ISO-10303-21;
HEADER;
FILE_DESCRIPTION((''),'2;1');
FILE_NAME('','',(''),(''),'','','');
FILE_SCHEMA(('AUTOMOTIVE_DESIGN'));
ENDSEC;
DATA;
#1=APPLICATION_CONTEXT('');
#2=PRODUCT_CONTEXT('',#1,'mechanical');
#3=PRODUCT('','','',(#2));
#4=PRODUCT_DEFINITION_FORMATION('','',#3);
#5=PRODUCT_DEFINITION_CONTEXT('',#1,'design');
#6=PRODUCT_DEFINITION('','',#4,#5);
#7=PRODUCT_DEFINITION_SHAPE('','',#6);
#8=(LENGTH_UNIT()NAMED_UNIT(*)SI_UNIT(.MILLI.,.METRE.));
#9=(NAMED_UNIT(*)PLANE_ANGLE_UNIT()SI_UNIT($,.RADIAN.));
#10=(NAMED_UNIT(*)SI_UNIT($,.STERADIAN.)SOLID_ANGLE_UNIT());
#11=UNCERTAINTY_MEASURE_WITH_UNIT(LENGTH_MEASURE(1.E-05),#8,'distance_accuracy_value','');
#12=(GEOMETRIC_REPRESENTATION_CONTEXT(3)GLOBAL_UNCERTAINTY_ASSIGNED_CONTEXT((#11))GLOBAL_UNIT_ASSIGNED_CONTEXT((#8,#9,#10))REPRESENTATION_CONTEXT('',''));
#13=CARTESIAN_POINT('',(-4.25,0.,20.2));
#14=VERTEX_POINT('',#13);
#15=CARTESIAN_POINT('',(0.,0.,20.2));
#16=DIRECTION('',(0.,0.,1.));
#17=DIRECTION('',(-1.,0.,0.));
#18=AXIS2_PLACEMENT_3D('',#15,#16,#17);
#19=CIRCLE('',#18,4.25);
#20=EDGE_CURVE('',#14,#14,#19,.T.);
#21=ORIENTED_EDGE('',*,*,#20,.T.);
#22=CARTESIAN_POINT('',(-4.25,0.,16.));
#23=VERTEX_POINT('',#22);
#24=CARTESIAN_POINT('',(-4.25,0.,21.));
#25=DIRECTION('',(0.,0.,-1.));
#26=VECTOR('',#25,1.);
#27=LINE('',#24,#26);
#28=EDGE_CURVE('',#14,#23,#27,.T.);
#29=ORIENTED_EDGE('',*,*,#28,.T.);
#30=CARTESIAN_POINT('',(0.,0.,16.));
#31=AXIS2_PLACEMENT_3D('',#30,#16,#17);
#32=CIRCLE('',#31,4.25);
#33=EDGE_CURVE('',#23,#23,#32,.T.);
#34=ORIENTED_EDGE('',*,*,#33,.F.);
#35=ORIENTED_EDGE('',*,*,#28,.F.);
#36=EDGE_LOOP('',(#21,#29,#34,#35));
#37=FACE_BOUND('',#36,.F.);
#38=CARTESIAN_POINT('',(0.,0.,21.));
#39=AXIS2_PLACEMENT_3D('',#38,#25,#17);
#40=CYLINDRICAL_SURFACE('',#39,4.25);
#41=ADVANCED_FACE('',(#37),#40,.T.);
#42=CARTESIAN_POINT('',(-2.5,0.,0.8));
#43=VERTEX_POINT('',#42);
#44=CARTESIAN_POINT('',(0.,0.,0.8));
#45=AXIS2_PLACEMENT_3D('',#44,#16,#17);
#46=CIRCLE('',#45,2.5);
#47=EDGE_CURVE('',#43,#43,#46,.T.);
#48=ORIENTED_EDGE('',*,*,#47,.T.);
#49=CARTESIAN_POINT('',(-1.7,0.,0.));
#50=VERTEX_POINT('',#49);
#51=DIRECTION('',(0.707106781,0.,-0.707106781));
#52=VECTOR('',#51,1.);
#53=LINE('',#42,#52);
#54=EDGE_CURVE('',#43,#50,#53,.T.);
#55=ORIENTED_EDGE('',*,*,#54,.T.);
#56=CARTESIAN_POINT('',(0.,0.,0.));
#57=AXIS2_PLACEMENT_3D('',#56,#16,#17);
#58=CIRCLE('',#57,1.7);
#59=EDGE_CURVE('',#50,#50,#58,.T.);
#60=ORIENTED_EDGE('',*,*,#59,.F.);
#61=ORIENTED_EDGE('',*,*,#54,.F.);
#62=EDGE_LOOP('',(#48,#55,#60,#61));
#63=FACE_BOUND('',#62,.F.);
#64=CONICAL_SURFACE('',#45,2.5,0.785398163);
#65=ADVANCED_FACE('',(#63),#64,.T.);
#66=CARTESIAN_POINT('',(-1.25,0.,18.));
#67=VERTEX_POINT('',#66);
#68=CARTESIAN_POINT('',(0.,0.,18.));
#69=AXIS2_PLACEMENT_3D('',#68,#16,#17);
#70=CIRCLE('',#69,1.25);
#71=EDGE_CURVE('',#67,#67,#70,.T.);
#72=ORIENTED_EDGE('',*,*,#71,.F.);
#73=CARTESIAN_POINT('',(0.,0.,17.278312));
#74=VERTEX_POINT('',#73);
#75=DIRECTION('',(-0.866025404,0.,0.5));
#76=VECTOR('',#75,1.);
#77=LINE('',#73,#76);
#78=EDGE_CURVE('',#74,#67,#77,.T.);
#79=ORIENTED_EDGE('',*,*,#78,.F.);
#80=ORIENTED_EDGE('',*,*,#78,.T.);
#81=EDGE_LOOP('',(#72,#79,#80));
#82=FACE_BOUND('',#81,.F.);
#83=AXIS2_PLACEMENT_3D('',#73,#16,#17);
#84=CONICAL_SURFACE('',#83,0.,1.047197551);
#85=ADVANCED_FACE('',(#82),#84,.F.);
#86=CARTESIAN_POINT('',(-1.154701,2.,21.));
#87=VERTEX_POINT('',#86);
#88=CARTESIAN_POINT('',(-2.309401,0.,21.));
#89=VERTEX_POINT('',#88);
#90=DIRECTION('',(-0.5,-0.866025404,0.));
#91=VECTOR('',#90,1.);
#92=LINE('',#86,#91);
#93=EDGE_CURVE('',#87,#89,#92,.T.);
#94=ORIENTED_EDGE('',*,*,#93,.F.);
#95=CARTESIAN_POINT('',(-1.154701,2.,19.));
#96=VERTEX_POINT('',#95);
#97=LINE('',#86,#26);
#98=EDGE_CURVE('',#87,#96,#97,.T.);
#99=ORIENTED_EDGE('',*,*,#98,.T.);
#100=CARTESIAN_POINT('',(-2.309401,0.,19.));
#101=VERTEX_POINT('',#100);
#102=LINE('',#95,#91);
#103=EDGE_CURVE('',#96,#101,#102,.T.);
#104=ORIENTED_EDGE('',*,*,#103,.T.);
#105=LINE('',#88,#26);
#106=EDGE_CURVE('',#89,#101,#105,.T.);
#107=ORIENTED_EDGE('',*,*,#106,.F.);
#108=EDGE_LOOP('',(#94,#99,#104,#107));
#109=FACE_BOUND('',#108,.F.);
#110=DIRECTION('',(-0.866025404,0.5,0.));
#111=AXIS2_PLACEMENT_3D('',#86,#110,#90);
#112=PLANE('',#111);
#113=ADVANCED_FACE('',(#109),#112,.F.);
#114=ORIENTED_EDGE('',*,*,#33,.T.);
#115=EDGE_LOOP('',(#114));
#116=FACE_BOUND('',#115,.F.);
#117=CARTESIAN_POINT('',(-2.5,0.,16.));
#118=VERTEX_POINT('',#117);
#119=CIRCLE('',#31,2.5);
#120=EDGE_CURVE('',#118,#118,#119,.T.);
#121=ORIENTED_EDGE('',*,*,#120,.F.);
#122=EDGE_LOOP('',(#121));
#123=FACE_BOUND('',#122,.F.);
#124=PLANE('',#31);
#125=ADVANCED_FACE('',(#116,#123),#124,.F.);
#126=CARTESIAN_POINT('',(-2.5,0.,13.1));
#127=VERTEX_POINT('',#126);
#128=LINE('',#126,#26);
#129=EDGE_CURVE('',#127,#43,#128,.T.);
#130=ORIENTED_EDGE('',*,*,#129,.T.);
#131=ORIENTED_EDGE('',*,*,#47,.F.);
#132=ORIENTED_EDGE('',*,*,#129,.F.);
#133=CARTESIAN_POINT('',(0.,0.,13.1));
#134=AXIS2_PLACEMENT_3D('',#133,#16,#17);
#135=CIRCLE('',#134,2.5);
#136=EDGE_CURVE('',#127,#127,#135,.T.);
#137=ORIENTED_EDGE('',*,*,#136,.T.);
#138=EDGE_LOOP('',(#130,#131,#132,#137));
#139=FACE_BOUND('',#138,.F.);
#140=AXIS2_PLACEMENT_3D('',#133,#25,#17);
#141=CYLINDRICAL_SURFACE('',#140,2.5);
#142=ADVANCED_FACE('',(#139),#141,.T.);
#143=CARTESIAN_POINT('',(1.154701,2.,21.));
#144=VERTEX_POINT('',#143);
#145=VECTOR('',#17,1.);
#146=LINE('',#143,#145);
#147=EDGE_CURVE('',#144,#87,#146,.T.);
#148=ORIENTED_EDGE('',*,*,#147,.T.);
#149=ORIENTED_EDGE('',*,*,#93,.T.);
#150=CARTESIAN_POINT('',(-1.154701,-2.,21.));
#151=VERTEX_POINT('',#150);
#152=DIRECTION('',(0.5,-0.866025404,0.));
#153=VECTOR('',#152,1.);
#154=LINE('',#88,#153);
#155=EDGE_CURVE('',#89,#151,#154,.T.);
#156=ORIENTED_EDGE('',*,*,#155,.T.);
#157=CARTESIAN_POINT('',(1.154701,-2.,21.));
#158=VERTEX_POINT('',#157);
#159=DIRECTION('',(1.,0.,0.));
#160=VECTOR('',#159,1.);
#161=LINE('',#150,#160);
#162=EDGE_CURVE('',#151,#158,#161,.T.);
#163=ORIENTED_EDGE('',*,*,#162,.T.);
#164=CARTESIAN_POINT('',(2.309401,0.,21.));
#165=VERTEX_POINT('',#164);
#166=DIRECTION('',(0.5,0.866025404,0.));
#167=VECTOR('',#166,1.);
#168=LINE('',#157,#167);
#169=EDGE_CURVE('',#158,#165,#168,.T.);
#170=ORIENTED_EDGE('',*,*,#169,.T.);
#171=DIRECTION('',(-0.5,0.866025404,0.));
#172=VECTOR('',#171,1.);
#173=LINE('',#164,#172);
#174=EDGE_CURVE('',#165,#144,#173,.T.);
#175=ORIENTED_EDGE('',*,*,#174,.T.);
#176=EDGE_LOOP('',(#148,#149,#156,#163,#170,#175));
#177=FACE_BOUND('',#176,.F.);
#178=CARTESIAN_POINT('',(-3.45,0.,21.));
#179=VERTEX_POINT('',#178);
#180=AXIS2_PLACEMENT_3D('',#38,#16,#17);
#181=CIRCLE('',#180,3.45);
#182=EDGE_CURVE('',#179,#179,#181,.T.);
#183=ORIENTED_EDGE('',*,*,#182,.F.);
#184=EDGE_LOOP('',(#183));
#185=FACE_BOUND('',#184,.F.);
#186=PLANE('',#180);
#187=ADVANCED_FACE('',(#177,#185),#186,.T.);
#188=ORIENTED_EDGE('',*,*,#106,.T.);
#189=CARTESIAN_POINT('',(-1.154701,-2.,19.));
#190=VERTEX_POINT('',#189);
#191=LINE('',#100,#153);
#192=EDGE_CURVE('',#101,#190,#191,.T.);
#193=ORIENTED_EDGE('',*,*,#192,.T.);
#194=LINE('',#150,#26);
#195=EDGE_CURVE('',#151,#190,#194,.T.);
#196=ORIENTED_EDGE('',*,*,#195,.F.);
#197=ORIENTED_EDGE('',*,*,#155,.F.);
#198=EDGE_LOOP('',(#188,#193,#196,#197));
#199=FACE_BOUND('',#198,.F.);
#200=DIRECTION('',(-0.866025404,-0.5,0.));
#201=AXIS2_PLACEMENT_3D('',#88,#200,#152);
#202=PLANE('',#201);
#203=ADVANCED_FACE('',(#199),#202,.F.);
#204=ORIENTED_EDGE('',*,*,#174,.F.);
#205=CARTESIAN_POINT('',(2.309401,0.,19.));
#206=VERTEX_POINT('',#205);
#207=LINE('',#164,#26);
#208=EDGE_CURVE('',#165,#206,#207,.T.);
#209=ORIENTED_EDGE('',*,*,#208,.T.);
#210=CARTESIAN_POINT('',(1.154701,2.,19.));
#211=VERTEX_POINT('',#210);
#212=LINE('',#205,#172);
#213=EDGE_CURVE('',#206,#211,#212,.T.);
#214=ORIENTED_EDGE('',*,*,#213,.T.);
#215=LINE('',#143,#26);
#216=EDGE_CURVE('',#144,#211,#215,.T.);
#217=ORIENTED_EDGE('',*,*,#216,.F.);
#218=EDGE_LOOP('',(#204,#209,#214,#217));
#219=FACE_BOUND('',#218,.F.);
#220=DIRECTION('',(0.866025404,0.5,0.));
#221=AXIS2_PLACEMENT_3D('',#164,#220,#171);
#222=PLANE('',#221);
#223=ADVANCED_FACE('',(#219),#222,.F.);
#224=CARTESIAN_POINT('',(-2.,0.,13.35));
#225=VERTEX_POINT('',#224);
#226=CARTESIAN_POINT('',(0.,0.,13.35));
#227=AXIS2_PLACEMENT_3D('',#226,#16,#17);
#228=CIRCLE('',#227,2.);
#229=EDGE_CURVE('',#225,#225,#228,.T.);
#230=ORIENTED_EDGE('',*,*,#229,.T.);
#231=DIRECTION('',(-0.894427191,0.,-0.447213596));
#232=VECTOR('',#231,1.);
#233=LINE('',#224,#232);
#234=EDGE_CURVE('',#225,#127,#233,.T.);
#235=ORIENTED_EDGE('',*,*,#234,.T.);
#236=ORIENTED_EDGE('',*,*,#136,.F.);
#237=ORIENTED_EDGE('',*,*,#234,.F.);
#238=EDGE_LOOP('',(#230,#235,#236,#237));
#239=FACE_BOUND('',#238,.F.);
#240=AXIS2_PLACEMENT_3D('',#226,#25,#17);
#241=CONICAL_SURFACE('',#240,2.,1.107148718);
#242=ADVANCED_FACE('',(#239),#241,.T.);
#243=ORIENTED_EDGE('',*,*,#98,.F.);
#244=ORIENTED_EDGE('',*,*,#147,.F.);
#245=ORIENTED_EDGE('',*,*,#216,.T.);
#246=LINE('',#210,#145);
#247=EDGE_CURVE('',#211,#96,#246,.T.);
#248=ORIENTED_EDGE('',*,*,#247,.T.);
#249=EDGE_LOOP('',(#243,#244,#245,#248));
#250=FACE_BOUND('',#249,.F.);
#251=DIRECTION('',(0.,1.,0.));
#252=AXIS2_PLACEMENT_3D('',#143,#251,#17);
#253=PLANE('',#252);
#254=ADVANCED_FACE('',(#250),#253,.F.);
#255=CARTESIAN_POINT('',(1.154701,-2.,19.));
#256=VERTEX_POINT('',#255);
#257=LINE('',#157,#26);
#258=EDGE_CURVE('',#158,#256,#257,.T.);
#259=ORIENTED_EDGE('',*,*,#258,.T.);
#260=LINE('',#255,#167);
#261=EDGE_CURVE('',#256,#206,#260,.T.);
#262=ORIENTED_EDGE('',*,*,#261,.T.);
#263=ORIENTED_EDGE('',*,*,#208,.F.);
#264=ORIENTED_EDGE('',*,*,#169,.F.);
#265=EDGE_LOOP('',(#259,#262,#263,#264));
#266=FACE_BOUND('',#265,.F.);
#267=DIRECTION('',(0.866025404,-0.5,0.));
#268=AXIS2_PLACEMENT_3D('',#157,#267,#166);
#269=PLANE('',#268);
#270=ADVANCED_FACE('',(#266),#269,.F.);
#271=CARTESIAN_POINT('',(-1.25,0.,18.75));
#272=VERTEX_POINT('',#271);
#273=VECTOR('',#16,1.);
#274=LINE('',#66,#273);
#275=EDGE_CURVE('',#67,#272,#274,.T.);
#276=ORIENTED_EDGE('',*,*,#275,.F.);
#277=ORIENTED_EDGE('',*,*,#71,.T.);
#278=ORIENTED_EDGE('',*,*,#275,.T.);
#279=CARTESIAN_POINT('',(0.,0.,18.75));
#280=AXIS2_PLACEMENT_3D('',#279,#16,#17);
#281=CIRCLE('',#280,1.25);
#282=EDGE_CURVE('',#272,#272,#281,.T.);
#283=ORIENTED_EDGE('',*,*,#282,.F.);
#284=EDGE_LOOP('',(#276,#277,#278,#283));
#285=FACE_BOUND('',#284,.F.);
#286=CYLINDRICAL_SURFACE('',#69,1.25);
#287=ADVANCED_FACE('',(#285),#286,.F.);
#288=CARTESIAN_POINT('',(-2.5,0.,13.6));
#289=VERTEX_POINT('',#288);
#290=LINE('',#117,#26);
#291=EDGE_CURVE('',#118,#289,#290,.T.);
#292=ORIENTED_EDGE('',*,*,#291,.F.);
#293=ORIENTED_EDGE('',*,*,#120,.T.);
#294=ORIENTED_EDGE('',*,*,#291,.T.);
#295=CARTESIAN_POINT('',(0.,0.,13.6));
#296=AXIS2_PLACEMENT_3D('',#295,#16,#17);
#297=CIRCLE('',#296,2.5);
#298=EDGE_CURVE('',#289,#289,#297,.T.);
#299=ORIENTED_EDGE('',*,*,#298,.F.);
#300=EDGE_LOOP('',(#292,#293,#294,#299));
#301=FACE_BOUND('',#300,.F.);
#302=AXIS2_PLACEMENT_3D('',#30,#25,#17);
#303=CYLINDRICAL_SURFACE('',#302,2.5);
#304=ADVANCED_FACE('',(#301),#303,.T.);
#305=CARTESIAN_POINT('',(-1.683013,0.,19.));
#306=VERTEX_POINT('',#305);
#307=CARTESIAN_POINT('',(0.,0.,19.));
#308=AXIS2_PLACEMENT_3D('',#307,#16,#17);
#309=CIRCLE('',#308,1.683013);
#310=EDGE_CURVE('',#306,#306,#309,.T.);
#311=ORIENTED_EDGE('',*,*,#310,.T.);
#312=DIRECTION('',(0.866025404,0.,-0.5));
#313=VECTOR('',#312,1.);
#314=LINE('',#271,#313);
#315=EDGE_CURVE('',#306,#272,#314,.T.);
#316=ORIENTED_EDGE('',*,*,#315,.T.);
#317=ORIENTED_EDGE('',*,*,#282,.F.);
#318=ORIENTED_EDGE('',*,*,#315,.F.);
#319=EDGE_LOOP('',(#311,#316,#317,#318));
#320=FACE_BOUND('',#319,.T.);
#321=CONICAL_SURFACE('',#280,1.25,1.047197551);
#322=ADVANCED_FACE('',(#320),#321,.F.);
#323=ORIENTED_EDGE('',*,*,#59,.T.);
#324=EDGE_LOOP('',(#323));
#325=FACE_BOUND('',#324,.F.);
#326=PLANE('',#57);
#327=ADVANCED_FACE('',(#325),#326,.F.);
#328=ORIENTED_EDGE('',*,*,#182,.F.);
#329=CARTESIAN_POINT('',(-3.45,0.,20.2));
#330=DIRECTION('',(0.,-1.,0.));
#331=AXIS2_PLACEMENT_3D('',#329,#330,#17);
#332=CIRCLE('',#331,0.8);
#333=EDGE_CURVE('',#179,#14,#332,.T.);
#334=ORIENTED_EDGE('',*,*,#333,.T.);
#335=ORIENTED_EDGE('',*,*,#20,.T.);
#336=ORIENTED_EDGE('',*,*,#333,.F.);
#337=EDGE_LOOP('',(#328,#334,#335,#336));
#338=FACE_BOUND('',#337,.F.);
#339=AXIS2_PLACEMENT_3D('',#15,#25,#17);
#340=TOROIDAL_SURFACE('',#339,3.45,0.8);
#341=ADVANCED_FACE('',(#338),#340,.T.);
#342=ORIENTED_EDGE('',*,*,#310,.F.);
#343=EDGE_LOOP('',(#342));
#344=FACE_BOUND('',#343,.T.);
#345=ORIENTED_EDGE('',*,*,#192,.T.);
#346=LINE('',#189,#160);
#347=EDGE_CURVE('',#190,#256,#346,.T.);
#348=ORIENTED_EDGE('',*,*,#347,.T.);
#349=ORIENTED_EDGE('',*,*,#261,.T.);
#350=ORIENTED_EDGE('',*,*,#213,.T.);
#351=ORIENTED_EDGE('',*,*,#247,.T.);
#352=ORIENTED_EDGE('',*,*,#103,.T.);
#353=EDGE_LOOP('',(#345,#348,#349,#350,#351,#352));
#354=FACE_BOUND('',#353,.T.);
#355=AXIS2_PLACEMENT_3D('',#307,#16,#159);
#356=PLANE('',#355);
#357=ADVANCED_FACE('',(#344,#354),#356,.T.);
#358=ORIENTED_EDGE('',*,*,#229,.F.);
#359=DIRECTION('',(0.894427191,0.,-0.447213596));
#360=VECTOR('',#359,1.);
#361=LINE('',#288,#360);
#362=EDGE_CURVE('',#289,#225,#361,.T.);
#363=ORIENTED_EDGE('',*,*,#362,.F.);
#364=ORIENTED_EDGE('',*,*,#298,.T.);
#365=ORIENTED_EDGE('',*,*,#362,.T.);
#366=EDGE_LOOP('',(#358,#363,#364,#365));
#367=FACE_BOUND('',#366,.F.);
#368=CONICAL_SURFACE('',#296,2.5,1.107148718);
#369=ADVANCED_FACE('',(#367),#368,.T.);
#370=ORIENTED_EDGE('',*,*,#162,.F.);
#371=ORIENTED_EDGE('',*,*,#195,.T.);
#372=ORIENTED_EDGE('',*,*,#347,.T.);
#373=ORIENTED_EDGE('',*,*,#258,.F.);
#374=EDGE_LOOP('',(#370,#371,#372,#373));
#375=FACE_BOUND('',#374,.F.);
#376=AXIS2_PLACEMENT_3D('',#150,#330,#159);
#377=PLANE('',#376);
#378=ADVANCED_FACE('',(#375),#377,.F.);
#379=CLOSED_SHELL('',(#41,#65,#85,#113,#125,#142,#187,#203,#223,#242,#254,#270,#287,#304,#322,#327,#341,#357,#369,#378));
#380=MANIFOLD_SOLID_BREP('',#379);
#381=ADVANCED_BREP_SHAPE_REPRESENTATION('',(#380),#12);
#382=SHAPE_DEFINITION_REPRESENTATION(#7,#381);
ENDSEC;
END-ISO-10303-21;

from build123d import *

# Parameters (mm, degrees)
F2_R     = 0.8
F3_SIZE  = 0.8
F5_DEPTH = 2
F6_SIZE2 = 0.25
F6_SIZE  = 0.4330127019


with BuildPart() as f1:
    # F0 (on Front) → F1 (revolve)
    with BuildSketch(Plane.XZ):
        Polygon((-2.5, 0), (0, 0), (0, 17.2783121635), (-1.25, 18), (-1.25, 21), (-4.25, 21), (-4.25, 16), (-2.5, 16), (-2.5, 13.6), (-2, 13.35), (-2.5, 13.1), align=None)
    revolve(axis=Axis((0, 0, 18.332445994), (0, 0, 1)))

    # F2
    f2_edges = [f1.edges().sort_by_distance(p)[0] for p in [
        (4.25, 0, 21),
    ]]
    fillet(f2_edges, radius=F2_R)

    # F3
    f3_edges = [f1.edges().sort_by_distance(p)[0] for p in [
        (2.5, 0, 0),
    ]]
    chamfer(f3_edges, length=F3_SIZE)

    # F4 (on face) → F5 (cut)
    with BuildSketch(Plane.XY.offset(21)):
        Polygon((-1.1547005384, -2), (1.1547005384, -2), (2.3094010768, 0), (1.1547005384, 2), (-1.1547005384, 2), (-2.3094010768, 0), align=None)
    extrude(amount=-F5_DEPTH, mode=Mode.SUBTRACT)

    # F6
    f6_edges = [f1.edges().sort_by_distance(p)[0] for p in [
        (1.25, 0, 19),
    ]]
    f6_side = f1.faces().sort_by_distance((-1.679136, -0.969449, 19))[0]
    chamfer(f6_edges, length=F6_SIZE, length2=F6_SIZE2, reference=f6_side)


solid = f1.part
